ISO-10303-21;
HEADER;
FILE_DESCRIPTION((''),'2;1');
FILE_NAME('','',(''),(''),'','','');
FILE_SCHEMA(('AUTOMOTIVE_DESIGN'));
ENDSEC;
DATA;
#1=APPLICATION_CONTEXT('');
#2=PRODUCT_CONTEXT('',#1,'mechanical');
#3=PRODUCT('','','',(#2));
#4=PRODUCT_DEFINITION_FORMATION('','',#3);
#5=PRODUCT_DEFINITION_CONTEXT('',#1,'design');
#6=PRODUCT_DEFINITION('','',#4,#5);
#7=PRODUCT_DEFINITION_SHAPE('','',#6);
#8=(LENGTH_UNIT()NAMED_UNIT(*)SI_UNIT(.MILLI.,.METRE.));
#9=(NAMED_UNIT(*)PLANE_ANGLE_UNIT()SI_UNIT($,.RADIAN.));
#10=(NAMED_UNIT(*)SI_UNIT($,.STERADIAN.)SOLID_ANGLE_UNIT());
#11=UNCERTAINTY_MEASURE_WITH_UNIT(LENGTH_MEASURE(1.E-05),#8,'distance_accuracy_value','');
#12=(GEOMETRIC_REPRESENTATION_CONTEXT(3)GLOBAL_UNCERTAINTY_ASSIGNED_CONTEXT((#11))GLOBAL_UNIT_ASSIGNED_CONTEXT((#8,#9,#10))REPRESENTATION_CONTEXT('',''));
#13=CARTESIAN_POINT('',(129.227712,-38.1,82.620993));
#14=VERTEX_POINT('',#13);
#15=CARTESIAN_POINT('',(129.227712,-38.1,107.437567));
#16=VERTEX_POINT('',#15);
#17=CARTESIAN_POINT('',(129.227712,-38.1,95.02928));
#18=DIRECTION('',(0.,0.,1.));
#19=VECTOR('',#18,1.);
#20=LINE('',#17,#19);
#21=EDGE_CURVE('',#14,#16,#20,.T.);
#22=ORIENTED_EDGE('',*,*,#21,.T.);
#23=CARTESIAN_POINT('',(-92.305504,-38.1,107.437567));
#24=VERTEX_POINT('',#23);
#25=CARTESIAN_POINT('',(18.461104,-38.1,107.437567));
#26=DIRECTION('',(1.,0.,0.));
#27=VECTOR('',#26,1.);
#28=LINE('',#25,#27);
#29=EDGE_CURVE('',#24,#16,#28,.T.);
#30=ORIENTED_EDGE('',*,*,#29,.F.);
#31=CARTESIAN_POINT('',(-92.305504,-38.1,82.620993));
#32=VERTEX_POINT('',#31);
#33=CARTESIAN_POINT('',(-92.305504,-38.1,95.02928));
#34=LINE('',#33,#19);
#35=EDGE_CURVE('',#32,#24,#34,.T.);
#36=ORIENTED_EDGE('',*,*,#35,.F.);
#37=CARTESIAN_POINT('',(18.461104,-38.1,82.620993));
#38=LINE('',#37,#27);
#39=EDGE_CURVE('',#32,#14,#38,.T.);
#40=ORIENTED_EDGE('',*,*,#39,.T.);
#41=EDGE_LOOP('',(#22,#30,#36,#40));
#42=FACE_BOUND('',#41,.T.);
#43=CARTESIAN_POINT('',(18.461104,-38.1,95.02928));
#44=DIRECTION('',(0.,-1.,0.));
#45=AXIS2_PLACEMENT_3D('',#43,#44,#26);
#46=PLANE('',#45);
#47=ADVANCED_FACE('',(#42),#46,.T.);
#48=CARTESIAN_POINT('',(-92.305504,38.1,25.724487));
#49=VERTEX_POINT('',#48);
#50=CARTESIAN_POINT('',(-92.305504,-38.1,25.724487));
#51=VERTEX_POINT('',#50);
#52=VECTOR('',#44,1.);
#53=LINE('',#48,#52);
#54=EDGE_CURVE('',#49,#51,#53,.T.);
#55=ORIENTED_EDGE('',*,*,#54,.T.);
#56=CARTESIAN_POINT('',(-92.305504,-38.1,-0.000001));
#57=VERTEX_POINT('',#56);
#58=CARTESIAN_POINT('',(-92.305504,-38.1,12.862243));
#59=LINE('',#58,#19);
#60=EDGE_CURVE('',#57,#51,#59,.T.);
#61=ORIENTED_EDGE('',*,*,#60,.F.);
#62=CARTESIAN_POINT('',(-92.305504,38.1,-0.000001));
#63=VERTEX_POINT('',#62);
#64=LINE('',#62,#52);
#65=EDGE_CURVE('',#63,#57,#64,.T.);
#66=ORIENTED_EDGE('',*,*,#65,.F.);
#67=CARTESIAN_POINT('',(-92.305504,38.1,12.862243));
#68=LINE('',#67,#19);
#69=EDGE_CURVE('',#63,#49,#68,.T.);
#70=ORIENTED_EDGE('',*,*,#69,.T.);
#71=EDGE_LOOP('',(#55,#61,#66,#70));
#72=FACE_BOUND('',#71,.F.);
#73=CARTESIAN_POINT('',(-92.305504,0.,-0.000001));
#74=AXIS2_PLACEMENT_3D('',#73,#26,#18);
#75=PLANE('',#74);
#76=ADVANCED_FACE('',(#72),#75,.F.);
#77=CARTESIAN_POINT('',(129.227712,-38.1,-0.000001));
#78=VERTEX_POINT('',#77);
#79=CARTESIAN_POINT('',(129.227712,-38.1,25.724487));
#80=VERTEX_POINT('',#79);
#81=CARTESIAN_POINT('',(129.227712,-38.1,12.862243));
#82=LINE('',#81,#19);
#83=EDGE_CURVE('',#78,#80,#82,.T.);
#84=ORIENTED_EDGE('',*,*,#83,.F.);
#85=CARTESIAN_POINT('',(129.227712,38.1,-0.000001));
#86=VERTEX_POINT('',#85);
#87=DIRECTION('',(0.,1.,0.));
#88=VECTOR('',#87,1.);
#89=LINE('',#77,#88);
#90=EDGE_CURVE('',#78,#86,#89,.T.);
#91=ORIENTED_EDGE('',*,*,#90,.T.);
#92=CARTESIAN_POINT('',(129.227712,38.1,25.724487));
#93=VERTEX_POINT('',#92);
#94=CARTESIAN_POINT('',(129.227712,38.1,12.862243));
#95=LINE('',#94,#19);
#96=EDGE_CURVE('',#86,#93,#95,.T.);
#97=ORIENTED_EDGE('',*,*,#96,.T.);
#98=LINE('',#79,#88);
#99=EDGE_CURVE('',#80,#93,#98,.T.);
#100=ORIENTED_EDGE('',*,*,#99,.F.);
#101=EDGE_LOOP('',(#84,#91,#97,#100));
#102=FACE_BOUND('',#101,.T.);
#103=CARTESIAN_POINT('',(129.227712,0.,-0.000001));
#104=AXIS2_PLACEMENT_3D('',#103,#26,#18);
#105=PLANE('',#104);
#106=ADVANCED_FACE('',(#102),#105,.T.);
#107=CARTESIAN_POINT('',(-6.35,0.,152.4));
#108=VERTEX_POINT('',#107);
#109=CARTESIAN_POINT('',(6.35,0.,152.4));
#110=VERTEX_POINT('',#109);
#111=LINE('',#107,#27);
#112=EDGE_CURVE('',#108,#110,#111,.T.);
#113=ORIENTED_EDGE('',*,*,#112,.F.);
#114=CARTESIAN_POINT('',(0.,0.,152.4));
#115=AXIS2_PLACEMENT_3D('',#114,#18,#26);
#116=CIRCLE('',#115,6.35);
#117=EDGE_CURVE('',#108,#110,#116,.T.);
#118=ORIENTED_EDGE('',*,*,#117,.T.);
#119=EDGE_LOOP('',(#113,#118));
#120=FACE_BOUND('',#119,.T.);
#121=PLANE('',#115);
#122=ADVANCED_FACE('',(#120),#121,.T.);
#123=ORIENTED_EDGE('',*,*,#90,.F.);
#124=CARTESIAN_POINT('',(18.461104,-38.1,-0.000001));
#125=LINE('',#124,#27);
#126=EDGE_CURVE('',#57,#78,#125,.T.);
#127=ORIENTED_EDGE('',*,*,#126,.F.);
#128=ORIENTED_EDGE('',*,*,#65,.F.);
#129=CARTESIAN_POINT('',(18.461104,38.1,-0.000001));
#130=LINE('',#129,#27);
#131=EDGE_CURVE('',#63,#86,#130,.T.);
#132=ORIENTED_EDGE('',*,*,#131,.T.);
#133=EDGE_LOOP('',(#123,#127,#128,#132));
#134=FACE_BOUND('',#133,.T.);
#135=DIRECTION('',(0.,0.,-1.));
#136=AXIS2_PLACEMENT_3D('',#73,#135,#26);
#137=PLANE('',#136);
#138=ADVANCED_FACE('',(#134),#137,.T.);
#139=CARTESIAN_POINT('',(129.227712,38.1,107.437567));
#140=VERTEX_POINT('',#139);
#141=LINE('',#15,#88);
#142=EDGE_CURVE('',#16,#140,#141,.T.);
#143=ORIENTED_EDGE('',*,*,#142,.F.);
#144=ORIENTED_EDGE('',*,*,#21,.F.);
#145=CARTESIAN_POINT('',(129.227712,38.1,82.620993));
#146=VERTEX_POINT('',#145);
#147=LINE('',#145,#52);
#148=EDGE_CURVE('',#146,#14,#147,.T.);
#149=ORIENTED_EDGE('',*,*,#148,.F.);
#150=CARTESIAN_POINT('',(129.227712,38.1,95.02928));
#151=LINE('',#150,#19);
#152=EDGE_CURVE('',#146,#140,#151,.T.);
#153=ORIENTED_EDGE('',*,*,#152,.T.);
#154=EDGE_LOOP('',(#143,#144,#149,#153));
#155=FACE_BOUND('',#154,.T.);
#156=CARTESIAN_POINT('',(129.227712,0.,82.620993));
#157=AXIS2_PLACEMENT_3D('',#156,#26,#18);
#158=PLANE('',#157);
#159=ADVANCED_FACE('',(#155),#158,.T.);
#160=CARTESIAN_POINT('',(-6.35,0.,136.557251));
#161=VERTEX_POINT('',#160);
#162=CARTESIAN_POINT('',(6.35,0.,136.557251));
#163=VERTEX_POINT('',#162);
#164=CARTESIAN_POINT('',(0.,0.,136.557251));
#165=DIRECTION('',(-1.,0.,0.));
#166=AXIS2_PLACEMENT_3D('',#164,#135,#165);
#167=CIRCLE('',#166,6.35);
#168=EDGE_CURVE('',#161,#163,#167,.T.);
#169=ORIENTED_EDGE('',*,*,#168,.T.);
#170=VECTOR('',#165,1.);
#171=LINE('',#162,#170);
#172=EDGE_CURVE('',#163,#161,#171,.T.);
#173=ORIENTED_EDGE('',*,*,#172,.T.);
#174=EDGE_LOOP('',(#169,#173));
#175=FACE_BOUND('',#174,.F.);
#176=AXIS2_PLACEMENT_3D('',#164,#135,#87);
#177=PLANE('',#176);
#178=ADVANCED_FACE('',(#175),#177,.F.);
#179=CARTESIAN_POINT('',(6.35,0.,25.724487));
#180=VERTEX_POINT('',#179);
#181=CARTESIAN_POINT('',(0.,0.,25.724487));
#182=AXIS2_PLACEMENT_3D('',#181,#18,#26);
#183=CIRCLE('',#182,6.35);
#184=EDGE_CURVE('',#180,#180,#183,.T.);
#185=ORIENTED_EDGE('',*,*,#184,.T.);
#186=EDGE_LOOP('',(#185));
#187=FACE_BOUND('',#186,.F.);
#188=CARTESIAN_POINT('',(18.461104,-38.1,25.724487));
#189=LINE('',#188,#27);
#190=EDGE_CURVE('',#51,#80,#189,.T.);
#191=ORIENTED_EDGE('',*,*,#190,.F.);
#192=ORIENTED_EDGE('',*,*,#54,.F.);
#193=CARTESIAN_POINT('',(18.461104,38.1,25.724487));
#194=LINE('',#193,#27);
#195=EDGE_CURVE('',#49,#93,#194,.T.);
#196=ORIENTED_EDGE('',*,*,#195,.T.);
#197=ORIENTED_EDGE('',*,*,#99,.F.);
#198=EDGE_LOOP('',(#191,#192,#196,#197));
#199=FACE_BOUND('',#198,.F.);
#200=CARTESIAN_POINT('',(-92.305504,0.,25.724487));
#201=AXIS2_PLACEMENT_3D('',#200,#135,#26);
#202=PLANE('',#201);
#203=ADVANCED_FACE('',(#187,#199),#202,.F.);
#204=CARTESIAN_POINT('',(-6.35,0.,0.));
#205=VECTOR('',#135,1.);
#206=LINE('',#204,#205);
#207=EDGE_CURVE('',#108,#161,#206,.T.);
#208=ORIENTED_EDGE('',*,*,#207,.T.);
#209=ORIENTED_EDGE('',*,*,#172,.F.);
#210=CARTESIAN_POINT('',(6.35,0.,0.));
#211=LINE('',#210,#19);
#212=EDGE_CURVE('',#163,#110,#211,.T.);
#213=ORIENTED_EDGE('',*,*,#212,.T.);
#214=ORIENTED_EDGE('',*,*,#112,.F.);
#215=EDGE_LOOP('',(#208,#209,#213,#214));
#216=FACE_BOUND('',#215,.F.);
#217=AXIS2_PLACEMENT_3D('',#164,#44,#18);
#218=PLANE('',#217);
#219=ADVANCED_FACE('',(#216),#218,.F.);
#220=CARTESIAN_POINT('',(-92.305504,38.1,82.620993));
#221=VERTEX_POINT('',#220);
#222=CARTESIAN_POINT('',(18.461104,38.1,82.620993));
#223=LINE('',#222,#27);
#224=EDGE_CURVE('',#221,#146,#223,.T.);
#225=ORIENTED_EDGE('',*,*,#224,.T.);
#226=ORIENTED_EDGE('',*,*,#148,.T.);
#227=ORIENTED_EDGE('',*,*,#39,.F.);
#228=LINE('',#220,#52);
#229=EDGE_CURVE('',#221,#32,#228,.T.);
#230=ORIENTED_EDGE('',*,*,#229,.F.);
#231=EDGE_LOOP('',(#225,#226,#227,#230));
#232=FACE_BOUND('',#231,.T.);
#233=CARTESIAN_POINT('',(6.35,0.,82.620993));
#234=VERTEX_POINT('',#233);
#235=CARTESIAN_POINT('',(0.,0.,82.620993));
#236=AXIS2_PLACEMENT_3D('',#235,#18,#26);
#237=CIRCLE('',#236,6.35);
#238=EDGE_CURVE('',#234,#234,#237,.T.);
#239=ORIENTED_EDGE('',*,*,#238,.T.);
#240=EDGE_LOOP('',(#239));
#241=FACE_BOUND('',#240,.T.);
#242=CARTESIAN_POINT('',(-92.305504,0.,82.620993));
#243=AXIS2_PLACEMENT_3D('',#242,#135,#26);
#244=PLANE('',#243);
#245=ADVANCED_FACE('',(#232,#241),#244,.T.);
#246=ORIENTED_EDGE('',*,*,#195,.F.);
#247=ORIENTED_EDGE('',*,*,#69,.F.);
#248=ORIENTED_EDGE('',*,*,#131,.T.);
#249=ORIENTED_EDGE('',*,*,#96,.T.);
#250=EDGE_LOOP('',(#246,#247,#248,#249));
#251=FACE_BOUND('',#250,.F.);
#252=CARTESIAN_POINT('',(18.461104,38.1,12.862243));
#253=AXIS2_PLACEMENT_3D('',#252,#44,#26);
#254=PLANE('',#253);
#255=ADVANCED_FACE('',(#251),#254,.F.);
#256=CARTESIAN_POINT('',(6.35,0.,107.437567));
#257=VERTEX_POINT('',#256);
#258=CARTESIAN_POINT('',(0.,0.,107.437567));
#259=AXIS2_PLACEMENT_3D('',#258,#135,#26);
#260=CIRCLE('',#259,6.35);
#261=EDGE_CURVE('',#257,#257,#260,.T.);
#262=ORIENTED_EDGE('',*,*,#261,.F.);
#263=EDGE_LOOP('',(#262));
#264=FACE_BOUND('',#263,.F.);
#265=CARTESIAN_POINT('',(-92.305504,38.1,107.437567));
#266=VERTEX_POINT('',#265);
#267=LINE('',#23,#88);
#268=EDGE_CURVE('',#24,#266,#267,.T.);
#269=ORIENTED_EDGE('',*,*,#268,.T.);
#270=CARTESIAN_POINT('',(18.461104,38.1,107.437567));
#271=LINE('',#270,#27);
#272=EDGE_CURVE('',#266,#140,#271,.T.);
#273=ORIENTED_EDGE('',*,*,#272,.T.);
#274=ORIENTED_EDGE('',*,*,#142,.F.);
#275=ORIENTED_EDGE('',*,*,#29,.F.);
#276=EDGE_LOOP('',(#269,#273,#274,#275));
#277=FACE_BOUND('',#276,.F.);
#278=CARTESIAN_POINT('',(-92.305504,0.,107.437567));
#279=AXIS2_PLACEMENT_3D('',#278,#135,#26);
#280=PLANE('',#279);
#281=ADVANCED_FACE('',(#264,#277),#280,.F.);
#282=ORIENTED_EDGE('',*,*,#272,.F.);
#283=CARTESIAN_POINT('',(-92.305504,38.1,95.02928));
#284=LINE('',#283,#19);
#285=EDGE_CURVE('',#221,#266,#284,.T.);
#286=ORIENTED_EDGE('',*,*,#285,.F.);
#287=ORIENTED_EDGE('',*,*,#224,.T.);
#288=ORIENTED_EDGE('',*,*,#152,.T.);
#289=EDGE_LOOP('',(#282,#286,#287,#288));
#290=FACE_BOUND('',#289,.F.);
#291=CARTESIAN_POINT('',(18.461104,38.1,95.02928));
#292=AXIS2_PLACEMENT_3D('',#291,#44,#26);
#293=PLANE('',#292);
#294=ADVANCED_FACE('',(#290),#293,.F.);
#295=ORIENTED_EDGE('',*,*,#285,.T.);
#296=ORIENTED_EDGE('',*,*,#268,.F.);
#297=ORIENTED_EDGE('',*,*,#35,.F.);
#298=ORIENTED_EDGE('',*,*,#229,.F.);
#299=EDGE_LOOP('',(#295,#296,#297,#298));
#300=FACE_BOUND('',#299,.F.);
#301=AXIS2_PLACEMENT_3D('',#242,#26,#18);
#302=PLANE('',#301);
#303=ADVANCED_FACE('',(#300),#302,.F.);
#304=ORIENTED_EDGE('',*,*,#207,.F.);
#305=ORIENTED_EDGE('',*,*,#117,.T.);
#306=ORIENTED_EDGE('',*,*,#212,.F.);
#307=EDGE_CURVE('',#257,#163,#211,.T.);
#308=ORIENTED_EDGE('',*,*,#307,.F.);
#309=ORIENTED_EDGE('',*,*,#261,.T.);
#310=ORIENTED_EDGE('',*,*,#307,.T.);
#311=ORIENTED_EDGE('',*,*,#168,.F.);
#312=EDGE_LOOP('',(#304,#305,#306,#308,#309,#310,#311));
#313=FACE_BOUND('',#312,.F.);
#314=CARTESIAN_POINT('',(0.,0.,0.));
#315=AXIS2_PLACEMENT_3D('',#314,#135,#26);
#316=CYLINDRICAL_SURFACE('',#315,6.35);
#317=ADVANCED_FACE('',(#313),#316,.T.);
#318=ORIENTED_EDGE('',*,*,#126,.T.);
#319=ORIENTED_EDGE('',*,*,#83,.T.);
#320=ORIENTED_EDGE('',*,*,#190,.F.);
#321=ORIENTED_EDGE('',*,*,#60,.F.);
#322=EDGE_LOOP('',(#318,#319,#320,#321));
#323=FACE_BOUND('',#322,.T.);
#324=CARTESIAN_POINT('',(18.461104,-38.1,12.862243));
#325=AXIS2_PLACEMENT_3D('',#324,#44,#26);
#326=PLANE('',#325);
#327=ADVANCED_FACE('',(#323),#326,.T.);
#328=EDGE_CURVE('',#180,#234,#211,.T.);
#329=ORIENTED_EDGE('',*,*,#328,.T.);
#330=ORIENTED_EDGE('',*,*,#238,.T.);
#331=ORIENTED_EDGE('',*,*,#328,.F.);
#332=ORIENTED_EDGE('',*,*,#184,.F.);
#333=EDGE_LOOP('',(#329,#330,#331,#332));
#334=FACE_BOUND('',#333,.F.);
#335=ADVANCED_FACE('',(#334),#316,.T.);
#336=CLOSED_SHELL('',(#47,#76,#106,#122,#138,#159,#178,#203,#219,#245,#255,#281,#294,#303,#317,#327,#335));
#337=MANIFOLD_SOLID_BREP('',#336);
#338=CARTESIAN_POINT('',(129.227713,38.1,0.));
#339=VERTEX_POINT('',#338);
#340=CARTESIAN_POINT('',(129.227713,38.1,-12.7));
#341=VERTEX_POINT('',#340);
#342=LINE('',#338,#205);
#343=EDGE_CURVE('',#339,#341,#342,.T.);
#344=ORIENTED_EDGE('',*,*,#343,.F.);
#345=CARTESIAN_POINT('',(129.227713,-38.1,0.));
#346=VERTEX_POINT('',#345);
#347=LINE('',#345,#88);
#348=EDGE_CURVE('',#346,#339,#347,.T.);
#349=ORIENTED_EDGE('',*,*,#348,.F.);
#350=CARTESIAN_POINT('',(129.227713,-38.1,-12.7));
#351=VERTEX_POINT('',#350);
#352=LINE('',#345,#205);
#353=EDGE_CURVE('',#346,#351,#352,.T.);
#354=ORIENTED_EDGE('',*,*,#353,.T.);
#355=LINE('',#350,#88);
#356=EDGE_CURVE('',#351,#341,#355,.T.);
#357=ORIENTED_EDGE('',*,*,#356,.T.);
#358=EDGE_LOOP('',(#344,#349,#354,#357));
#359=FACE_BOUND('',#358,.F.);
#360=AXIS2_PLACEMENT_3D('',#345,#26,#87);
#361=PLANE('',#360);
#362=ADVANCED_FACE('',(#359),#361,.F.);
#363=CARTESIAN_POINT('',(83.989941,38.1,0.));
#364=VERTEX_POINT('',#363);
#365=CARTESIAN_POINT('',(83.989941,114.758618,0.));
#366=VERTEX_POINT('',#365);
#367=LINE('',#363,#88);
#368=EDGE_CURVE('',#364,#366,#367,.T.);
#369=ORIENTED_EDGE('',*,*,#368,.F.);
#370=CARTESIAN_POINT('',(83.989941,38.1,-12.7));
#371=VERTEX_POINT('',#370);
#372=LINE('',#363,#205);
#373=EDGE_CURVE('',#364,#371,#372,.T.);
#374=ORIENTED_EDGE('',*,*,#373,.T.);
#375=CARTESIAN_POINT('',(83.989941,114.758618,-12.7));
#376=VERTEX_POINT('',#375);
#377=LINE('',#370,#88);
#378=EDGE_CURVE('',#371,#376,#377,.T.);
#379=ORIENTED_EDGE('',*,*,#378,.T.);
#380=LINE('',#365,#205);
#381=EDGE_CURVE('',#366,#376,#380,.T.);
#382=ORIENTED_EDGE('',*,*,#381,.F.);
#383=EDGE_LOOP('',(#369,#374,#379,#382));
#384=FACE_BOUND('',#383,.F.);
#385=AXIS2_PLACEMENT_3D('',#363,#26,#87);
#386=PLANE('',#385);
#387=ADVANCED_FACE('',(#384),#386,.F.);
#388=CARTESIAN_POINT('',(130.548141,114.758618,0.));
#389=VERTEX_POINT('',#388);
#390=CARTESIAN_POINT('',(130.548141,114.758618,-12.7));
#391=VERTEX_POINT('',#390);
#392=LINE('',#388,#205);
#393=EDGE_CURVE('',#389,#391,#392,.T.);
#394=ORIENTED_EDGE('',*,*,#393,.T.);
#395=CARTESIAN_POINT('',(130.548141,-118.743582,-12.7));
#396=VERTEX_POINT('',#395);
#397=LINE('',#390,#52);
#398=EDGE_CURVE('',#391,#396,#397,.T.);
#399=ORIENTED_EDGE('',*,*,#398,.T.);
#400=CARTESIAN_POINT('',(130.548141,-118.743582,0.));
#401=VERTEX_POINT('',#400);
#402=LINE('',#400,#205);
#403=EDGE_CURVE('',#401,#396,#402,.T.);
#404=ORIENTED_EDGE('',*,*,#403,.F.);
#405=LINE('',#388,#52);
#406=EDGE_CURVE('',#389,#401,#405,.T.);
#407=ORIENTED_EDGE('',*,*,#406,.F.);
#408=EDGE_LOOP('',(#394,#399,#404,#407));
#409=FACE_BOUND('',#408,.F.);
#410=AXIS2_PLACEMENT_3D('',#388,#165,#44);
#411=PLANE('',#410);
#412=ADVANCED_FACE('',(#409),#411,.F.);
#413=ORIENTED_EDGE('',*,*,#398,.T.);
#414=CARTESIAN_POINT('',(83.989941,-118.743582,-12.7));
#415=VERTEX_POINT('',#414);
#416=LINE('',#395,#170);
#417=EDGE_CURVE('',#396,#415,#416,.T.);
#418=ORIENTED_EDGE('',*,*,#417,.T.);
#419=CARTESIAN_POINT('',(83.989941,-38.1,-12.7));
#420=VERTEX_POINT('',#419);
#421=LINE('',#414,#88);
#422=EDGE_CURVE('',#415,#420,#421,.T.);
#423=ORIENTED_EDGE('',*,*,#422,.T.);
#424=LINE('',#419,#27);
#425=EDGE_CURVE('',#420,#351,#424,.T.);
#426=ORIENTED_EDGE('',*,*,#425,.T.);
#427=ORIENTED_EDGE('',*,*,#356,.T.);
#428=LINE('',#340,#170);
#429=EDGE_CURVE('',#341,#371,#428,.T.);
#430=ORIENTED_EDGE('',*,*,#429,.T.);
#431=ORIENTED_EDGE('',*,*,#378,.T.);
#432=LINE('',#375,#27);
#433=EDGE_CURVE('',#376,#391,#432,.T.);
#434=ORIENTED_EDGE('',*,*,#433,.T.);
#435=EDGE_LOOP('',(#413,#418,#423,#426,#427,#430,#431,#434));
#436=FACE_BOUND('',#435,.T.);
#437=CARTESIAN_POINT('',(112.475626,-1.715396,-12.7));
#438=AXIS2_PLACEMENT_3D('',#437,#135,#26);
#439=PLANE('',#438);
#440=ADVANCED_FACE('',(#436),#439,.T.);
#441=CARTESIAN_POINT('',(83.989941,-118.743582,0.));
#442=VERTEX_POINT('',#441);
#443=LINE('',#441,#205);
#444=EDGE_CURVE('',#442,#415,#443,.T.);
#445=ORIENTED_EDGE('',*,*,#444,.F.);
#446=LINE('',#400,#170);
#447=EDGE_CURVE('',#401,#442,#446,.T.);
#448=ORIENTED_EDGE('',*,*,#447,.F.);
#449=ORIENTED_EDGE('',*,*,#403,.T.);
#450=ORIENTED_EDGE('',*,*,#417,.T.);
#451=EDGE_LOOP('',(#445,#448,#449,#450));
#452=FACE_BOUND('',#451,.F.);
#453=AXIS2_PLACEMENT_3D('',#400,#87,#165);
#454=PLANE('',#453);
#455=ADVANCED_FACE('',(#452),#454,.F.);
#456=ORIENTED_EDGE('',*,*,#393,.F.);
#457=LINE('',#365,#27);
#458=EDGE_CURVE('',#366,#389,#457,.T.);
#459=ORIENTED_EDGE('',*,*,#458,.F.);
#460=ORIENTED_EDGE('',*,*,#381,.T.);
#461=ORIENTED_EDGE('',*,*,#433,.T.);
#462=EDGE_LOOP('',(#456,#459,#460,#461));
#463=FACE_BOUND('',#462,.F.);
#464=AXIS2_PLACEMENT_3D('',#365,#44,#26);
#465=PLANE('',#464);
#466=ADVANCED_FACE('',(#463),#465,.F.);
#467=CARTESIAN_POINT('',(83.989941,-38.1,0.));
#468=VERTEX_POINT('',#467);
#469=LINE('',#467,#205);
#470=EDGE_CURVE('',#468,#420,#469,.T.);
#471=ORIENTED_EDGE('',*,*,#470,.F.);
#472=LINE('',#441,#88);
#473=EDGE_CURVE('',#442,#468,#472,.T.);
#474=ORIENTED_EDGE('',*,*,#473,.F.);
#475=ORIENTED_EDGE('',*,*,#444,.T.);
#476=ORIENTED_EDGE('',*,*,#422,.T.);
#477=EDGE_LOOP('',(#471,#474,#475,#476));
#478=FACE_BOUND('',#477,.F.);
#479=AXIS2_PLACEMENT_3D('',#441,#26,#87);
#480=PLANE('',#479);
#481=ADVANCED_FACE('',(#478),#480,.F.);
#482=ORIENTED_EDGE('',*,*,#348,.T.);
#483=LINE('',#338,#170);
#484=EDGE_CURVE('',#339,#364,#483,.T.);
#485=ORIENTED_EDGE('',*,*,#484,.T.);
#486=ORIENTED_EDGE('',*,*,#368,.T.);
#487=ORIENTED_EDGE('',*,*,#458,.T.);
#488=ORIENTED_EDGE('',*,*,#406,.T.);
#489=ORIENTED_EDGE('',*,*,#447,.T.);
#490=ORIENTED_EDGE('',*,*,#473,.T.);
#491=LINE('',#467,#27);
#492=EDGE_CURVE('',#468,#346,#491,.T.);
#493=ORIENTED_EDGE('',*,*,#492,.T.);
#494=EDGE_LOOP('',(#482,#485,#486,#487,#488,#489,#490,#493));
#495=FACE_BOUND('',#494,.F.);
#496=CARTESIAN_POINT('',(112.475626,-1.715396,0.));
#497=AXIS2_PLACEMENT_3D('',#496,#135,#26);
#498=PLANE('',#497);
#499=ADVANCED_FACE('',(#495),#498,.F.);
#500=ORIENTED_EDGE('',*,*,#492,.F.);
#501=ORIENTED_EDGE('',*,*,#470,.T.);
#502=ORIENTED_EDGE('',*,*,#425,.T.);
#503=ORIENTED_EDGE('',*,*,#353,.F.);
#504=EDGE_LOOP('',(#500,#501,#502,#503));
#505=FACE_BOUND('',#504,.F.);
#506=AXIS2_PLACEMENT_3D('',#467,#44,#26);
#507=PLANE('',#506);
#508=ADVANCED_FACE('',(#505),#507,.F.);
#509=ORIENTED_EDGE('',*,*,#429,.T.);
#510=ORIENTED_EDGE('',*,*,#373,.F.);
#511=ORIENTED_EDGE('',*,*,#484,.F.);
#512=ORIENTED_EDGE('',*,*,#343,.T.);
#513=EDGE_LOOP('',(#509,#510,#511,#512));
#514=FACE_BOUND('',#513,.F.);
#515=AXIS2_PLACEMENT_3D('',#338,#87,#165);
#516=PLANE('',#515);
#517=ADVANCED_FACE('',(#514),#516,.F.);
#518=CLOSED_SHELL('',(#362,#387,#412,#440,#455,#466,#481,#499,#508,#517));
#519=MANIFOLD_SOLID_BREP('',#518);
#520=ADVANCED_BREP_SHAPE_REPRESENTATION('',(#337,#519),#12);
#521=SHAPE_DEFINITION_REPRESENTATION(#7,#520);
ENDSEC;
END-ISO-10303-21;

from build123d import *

# Parameters (mm, degrees)
F0_R     = 6.35
F1_DEPTH = 152.4
F2_W     = 12.7
F2_H     = 18.046826
F3_DEPTH = 25.4
F4_DEPTH = 25.4
F5_W     = 221.533217
F5_H     = 24.816573
F5_H_2   = 25.724487
F6_DEPTH = 38.1
F7_DEPTH = 38.1
F9_DEPTH = 12.7


with BuildPart() as f1:
    # F0 (on Top) → F1 (new body)
    with BuildSketch(Plane.XY):
        Circle(F0_R)
    extrude(amount=F1_DEPTH)

    # F2 (on Right) → F3 (cut)
    with BuildSketch(Plane.YZ):
        with Locations((6.35, 145.580664)):
            Rectangle(F2_W, F2_H)
    extrude(amount=-F3_DEPTH, mode=Mode.SUBTRACT)

    # F2 (on Right) → F4 (cut)
    with BuildSketch(Plane.YZ):
        with Locations((6.35, 145.580664)):
            Rectangle(F2_W, F2_H)
    extrude(amount=F4_DEPTH, mode=Mode.SUBTRACT)

    # F5 (on Front) → F6 (join)
    with BuildSketch(Plane.XZ):
        with Locations((18.461104, 95.02928)):
            Rectangle(F5_W, F5_H)
        with Locations((18.461104, 12.862243)):
            Rectangle(F5_W, F5_H_2)
    extrude(amount=F6_DEPTH)

    # F5 (on Front) → F7 (join)
    with BuildSketch(Plane.XZ):
        with Locations((18.461104, 95.02928)):
            Rectangle(F5_W, F5_H)
        with Locations((18.461104, 12.862243)):
            Rectangle(F5_W, F5_H_2)
    extrude(amount=-F7_DEPTH)


with BuildPart() as f9:
    # F8 (on face) → F9 (new body)
    with BuildSketch(Plane(origin=(0, 0, 0), x_dir=(1, 0, 0), z_dir=(0, 0, -1))):
        Polygon((83.989941, -114.758618), (130.548141, -114.758618), (130.548141, 118.743582), (83.989941, 118.743582), (83.989941, 38.1), (129.227713, 38.1), (129.227713, -38.1), (83.989941, -38.1), align=None)
    extrude(amount=F9_DEPTH)


solid = Compound([f1.part, f9.part])
